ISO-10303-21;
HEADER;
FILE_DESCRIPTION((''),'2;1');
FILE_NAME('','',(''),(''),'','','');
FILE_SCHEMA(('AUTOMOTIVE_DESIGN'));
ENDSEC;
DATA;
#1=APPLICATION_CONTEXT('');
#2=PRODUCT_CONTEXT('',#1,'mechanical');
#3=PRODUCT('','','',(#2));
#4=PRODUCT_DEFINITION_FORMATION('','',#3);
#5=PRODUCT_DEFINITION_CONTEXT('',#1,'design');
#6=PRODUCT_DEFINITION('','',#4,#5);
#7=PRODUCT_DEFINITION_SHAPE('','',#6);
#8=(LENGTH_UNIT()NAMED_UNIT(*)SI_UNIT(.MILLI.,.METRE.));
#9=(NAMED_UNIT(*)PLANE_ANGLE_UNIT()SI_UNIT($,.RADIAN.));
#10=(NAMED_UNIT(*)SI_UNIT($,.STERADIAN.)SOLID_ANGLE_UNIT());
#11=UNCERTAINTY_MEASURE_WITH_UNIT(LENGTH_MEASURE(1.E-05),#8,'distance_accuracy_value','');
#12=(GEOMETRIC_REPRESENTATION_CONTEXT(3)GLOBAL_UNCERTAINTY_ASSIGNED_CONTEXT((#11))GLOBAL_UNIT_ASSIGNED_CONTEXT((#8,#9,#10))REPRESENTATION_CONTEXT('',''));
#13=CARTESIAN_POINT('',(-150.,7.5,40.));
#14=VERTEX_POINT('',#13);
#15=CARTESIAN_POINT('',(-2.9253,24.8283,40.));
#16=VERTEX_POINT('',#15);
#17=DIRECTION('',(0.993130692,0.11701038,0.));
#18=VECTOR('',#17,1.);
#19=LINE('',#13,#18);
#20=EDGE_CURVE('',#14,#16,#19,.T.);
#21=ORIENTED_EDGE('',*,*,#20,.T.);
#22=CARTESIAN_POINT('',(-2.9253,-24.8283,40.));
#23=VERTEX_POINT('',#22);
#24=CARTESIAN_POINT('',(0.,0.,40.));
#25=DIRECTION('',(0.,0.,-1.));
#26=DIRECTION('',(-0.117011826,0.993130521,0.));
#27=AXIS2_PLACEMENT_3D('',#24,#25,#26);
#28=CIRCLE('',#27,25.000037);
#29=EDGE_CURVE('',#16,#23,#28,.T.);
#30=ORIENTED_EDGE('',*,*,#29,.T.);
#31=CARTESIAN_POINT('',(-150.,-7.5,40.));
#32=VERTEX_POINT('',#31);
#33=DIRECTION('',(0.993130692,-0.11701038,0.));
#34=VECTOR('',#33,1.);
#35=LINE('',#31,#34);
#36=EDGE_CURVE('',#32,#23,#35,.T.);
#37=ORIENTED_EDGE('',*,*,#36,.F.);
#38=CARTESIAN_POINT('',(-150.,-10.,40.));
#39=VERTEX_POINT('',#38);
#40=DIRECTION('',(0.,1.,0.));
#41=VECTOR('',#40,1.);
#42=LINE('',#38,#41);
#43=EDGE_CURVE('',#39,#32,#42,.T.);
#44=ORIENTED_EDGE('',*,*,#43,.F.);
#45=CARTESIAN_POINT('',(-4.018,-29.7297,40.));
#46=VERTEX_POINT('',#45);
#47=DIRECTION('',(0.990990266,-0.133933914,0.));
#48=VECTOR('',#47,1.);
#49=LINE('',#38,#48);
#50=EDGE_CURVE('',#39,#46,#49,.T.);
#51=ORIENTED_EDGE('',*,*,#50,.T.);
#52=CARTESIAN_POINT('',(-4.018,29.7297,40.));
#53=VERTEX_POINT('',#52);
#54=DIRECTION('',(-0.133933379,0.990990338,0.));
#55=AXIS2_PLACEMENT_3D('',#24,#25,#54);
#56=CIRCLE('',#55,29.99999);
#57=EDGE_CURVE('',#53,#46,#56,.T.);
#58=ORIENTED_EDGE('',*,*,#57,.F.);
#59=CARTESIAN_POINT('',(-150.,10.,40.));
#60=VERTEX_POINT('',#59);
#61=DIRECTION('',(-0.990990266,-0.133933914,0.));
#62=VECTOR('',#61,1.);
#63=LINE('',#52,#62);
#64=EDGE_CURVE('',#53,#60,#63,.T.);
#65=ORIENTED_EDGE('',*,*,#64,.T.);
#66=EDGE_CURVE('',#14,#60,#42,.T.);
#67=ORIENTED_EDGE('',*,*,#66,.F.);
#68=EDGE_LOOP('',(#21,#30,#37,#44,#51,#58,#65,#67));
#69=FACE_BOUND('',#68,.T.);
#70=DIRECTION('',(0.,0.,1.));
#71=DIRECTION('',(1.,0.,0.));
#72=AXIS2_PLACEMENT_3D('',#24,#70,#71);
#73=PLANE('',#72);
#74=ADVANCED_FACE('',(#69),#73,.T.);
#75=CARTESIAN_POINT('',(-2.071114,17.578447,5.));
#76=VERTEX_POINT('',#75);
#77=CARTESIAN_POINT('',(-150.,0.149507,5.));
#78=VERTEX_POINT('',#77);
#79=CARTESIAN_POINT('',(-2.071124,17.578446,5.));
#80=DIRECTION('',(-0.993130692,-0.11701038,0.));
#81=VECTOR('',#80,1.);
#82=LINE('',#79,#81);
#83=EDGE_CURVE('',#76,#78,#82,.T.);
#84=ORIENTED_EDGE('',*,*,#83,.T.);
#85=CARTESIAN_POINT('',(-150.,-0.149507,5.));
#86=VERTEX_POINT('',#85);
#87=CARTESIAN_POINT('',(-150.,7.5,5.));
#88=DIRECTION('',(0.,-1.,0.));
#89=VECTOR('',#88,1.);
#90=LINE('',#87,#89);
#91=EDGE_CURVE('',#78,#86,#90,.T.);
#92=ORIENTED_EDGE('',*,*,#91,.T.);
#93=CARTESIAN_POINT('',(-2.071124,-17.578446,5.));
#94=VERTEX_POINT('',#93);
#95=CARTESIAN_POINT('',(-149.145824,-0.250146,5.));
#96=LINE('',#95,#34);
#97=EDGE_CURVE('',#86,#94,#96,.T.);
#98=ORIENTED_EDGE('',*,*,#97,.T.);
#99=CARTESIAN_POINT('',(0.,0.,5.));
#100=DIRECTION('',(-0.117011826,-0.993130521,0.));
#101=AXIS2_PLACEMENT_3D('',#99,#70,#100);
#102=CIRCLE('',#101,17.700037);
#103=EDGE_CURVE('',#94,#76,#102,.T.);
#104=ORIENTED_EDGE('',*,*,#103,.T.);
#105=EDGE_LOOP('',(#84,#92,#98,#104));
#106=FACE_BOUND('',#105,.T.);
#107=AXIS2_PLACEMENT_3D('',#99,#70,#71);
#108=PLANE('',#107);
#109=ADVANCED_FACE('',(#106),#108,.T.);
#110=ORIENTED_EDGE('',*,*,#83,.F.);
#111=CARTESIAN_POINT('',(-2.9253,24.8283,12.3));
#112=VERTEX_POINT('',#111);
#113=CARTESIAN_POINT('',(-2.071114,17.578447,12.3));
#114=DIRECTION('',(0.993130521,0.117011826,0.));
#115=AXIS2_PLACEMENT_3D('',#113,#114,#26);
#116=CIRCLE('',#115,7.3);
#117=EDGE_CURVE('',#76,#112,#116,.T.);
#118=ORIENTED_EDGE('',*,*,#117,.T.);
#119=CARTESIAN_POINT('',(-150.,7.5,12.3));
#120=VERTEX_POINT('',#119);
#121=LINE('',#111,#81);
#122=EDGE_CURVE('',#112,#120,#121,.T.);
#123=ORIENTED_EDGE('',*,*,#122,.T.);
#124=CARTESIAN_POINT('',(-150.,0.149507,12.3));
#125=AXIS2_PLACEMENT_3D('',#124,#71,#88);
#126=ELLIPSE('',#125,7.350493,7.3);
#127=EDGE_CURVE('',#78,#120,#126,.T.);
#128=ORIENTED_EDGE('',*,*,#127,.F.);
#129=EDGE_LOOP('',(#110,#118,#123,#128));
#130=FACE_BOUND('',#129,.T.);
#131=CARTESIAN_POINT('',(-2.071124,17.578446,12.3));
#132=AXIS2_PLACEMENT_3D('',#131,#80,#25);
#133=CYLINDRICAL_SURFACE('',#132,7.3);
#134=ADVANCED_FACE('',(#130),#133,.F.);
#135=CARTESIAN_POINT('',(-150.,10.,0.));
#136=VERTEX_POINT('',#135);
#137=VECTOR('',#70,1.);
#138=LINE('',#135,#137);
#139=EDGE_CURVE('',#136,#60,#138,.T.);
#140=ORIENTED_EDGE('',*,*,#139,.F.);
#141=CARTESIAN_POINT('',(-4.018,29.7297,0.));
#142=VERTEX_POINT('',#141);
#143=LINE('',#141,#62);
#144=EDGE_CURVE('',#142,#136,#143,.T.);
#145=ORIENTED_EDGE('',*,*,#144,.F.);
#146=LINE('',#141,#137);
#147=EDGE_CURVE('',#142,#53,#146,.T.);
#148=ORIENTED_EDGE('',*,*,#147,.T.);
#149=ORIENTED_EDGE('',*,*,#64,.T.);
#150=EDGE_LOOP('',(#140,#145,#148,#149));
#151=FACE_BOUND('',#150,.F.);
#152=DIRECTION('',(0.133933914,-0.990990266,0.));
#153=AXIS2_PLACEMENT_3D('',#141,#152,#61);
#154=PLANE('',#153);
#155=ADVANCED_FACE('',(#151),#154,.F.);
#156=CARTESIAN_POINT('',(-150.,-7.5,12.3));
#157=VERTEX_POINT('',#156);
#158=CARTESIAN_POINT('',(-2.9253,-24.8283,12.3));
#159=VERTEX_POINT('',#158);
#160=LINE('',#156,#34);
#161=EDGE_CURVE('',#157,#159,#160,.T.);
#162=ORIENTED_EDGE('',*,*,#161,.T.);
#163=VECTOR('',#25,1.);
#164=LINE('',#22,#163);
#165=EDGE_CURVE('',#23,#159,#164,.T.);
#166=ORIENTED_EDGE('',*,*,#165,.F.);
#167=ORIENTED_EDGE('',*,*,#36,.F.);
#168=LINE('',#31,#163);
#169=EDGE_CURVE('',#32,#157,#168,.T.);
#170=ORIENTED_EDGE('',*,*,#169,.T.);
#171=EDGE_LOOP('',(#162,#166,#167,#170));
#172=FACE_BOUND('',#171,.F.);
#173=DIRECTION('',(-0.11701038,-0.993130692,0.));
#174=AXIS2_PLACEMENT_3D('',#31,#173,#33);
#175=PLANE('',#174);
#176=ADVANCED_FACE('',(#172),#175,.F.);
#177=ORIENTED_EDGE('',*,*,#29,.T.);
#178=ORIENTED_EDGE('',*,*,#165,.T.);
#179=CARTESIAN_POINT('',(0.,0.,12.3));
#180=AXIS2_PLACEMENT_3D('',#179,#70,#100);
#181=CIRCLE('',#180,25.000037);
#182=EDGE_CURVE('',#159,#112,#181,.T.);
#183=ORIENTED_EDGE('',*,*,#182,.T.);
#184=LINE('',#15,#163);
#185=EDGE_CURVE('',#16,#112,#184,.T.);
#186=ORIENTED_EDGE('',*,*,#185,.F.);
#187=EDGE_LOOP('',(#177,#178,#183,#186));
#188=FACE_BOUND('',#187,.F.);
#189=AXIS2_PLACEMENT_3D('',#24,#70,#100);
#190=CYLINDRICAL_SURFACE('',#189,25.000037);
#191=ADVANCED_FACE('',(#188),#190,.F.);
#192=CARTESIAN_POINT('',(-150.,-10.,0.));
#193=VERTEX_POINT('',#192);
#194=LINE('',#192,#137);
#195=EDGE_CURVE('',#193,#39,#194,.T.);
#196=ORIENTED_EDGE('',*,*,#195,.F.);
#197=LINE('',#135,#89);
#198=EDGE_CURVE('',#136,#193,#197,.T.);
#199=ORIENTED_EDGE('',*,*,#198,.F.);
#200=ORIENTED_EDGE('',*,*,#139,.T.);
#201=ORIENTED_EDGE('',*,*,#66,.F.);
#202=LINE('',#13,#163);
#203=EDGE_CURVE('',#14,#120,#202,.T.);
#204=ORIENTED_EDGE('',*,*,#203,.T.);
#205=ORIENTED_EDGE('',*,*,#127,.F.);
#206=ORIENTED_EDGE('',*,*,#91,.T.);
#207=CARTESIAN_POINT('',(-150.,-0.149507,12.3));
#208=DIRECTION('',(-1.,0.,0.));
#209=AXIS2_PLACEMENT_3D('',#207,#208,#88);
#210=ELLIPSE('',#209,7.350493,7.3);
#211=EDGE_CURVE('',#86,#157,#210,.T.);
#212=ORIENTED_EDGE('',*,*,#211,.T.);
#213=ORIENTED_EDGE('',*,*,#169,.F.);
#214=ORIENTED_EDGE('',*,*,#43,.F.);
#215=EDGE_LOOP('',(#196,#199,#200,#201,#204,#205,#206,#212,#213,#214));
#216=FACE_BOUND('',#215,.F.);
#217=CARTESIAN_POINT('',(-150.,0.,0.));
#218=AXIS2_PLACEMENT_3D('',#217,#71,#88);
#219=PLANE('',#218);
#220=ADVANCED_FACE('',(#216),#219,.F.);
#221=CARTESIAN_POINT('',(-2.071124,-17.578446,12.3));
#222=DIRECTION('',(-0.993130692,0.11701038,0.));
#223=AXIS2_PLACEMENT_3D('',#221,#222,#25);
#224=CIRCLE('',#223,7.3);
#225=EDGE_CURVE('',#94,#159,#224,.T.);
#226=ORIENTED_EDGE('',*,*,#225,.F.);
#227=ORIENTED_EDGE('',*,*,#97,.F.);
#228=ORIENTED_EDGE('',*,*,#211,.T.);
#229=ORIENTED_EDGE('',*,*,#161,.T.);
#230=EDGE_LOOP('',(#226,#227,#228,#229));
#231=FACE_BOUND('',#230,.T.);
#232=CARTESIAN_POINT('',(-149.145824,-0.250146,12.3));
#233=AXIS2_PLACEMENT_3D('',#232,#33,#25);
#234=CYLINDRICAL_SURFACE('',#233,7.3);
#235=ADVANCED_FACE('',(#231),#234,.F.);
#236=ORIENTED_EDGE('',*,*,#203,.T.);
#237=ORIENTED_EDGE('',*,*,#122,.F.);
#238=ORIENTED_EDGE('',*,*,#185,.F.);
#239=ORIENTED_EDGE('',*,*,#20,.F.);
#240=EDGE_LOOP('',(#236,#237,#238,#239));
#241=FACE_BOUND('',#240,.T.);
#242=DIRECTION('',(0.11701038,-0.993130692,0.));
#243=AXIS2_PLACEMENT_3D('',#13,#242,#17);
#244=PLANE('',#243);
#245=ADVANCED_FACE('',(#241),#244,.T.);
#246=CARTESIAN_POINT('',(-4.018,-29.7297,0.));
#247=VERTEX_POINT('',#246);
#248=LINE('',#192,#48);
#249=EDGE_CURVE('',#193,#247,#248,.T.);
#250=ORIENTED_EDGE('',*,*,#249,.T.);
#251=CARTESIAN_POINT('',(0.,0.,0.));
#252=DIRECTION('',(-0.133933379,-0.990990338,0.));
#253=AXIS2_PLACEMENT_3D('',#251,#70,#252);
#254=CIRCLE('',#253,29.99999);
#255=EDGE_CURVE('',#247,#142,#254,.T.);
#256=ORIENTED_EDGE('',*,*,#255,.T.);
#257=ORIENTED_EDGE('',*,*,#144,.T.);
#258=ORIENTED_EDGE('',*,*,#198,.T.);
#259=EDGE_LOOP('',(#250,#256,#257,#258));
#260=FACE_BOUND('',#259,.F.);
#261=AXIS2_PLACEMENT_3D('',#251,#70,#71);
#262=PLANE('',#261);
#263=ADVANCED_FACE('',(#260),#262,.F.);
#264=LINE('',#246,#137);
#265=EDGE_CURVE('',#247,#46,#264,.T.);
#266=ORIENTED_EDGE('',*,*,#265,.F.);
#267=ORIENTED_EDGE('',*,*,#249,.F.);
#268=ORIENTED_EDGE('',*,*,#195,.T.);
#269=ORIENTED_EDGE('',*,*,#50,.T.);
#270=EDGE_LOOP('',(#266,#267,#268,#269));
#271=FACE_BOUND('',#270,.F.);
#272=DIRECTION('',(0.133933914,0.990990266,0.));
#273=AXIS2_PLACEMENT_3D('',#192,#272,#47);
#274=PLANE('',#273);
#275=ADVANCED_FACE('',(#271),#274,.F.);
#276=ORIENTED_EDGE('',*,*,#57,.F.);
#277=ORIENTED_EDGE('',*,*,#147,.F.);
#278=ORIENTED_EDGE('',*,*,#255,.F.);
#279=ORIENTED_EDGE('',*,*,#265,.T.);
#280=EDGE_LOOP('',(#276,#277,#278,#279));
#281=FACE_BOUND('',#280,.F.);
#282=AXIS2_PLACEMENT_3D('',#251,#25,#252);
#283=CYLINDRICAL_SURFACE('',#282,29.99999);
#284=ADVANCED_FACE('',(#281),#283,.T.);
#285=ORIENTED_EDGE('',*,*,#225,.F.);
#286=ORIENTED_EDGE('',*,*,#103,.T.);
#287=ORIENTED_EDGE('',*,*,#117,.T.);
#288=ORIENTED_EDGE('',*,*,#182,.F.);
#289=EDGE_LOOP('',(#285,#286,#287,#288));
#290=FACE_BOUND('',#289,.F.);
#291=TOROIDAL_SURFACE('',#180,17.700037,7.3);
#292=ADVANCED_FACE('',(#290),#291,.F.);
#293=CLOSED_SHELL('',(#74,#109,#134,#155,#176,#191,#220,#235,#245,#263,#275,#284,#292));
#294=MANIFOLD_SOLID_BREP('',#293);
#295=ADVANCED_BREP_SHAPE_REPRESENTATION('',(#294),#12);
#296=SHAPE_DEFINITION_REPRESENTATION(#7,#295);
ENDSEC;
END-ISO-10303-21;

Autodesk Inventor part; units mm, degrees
ref_plane "YZ Plane" through (0, 0, 0) normal (1, 0, 0) x (0, 1, 0)
ref_plane "XZ Plane" through (0, 0, 0) normal (0, 1, 0) x (-1, 0, 0)
ref_plane "XY Plane" through (0, 0, 0) normal (0, 0, 1) x (1, 0, 0)
sketch "Skizze1" plane through (0, 0, 0) normal (0, 0, 1) x (1, 0, 0)
  arc A0 (-4.018, -29.7297) -> (-4.018, 29.7297) centre (0, 0) ccw
  line L0 (-4.018, 29.7297) -> (-150, 10)
  line L1 (-150, 10) -> (-150, -10)
  line L2 (-150, -10) -> (-4.018, -29.7297)
  line L3 (-186, 0) -> (66, 0) projected
  dimension "d0" = 60
  dimension "d1" = 150
  dimension "d2" = 20
extrude "Extrusion1" add sketch "Skizze1" along normal blind 40
sketch "Skizze2" plane through (0, 0, 40) normal (0, 0, 1) x (1, 0, 0)
  line L0 (-150, 10) -> (-150, -10) projected
  line L1 (-150, 7.5) -> (-2.9253, 24.8283)
  arc A0 (-2.9253, -24.8283) -> (-2.9253, 24.8283) centre (0, 0) ccw
  line L2 (-150, -7.5) -> (-2.9253, -24.8283)
  line L3 (-186, 0) -> (66, 0) projected
  dimension "d5" = 15
  dimension "d6" = 25
extrude "Extrusion2" cut sketch "Skizze2" against normal blind 35
fillet "Rundung1" radius 7.3 3 edges at (25, 0, 5) (-76.4626, -16.1641, 5) (-76.4626, 16.1641, 5)
properties part number "Weiche_1"
